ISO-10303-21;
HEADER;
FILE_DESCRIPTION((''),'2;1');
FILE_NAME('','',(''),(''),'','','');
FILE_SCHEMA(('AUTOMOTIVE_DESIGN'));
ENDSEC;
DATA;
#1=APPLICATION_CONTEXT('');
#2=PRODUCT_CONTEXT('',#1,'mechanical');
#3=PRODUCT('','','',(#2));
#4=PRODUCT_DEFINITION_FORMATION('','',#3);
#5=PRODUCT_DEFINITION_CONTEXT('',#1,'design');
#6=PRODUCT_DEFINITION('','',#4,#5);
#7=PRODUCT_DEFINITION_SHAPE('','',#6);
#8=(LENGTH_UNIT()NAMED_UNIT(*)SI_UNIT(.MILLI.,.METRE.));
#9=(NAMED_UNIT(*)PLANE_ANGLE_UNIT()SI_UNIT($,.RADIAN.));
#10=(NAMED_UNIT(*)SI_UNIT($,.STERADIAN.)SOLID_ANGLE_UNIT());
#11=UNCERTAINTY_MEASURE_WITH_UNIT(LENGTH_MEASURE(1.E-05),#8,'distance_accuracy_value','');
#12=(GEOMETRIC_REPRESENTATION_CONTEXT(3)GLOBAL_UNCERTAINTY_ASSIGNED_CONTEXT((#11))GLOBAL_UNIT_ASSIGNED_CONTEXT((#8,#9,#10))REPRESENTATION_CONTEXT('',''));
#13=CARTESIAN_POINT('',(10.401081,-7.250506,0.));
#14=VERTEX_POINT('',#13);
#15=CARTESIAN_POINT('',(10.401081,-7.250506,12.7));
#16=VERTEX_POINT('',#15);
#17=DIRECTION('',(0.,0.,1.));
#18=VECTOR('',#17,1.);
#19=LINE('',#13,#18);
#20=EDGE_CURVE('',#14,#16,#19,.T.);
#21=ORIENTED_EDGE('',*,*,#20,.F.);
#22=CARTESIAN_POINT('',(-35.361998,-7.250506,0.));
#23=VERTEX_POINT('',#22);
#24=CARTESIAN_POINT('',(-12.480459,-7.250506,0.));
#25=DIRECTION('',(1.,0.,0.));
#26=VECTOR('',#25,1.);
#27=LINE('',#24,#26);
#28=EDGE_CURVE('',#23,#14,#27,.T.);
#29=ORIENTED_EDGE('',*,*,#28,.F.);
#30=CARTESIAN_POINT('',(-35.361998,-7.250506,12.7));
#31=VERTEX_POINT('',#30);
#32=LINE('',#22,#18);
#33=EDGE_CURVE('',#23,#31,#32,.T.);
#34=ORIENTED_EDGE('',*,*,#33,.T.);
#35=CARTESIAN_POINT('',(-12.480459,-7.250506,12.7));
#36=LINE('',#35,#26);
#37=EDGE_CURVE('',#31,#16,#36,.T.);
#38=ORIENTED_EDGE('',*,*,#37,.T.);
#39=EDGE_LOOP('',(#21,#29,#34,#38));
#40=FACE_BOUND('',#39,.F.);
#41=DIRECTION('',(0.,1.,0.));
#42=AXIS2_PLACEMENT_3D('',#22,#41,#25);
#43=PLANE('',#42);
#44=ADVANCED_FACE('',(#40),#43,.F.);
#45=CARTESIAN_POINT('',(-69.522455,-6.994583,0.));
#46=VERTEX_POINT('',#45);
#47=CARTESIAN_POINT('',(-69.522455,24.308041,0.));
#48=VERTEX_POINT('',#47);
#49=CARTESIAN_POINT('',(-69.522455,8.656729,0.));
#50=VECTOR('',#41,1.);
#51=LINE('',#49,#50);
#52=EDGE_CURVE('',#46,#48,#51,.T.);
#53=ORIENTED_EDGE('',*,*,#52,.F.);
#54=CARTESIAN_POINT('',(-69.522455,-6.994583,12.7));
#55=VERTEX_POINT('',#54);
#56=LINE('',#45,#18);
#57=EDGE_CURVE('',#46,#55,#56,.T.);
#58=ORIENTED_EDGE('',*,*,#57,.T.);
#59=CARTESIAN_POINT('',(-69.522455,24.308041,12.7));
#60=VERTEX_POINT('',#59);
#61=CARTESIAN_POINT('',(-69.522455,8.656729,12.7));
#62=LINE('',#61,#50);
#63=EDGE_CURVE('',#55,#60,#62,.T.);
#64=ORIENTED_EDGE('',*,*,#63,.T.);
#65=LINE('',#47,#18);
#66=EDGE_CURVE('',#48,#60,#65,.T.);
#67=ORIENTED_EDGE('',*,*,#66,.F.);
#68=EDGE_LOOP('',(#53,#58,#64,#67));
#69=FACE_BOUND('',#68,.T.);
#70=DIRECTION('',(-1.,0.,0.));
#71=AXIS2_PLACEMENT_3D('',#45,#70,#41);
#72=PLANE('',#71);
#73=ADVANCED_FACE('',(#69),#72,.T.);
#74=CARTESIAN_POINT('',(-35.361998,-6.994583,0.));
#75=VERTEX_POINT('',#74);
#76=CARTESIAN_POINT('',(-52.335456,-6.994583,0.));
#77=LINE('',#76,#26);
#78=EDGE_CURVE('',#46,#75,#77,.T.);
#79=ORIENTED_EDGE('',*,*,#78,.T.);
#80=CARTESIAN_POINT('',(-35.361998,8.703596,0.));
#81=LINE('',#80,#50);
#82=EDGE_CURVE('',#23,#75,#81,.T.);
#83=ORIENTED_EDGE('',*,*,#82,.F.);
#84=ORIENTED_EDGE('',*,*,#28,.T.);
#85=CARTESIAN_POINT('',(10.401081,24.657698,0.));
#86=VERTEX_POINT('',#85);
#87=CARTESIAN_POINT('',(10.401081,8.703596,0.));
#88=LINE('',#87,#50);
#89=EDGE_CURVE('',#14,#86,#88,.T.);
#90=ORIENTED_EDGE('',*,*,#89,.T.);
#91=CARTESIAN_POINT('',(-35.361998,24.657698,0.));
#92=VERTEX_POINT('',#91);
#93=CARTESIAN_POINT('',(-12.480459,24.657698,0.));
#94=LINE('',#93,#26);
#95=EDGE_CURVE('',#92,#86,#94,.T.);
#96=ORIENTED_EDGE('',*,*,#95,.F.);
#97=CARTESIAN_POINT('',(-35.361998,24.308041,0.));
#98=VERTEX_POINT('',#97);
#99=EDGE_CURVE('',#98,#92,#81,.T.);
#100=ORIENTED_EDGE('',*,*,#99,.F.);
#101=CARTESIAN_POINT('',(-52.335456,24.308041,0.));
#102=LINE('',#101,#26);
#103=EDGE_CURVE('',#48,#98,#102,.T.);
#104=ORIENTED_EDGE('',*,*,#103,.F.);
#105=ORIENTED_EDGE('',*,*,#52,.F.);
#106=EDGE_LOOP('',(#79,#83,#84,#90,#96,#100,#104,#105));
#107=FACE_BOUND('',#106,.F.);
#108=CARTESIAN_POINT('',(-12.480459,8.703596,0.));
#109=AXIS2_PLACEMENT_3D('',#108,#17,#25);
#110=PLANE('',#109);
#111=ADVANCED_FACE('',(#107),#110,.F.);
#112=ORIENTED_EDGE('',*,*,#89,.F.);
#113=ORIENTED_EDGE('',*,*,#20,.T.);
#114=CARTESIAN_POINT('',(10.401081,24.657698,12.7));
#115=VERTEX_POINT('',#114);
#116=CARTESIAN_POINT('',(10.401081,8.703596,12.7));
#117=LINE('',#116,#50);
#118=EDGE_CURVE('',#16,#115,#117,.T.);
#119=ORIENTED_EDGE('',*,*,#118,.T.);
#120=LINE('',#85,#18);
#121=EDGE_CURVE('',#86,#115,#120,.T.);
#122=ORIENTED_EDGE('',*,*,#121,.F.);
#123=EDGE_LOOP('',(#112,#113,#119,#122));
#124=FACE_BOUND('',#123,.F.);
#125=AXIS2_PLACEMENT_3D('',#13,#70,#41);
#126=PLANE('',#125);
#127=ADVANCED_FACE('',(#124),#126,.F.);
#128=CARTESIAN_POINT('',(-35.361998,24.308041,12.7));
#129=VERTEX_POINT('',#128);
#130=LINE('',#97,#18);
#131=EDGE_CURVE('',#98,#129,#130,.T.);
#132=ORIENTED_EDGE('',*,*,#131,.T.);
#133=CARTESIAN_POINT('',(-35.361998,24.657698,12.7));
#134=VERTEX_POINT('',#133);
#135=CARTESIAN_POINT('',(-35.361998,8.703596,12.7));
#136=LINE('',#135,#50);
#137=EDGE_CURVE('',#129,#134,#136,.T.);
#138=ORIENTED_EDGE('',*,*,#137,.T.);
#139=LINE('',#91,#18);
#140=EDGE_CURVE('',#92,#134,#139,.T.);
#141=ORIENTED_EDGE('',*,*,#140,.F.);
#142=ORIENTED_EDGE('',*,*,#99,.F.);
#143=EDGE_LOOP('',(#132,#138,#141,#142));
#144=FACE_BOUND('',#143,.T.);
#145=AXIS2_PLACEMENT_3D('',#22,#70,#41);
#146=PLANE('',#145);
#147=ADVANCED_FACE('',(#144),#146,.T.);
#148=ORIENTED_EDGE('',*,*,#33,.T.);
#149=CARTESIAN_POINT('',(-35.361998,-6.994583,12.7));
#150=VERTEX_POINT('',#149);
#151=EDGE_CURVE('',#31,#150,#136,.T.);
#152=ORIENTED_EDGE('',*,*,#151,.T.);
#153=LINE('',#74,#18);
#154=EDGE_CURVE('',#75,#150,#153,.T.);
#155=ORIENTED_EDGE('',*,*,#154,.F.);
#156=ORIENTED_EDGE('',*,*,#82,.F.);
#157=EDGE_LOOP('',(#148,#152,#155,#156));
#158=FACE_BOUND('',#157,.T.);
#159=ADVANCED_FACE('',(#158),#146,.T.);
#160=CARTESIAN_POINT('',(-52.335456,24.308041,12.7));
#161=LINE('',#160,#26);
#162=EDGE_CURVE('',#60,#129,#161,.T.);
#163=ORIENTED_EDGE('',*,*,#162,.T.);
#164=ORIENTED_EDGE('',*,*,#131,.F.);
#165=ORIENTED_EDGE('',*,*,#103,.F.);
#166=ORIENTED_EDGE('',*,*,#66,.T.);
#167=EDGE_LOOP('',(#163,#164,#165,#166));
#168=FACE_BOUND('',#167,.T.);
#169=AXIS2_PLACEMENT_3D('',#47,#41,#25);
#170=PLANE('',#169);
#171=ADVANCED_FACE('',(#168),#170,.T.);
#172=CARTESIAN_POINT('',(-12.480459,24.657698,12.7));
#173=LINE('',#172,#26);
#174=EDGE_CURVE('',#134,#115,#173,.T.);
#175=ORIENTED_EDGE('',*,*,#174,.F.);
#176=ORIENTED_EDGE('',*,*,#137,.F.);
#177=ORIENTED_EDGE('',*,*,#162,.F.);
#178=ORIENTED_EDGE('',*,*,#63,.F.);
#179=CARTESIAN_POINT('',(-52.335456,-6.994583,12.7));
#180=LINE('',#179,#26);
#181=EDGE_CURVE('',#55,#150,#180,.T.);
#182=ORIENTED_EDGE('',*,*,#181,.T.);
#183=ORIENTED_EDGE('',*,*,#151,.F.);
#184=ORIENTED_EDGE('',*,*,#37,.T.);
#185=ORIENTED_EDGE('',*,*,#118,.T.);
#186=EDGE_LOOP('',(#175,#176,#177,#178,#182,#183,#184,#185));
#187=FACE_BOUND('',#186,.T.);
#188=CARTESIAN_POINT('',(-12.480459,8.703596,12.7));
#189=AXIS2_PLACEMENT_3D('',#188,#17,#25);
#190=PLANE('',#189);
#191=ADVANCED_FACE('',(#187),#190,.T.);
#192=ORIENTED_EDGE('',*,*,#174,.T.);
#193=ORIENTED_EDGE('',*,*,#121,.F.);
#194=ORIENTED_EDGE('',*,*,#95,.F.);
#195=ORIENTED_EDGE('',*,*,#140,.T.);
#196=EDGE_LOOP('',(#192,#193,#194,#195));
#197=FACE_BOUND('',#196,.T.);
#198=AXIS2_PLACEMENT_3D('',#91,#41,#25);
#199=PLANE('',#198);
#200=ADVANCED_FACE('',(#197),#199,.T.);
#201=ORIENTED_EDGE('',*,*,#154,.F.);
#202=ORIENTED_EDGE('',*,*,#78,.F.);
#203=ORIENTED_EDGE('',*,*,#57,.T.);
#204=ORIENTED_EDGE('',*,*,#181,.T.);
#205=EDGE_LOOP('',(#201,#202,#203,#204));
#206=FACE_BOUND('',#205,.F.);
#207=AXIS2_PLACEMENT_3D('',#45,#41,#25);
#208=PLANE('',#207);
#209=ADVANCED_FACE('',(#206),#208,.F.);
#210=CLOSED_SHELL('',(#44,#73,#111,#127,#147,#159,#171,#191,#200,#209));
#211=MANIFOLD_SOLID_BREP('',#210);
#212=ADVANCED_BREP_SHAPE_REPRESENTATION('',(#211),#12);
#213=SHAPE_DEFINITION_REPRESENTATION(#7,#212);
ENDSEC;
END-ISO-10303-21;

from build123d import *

# Parameters (mm, degrees)
F0_W     = 34.373998
F0_H     = 31.302624
F1_DEPTH = 12.7
F2_W     = 45.763079
F2_H     = 31.908203
F3_DEPTH = 12.7


with BuildPart() as f1:
    # F0 (on Top) → F1 (new body)
    with BuildSketch(Plane.XY):
        with Locations((-52.335456, 8.656729)):
            Rectangle(F0_W, F0_H)
    extrude(amount=F1_DEPTH)

    # F2 (on Top) → F3 (join)
    with BuildSketch(Plane.XY):
        with Locations((-12.480459, 8.703596)):
            Rectangle(F2_W, F2_H)
    extrude(amount=F3_DEPTH)


solid = f1.part
